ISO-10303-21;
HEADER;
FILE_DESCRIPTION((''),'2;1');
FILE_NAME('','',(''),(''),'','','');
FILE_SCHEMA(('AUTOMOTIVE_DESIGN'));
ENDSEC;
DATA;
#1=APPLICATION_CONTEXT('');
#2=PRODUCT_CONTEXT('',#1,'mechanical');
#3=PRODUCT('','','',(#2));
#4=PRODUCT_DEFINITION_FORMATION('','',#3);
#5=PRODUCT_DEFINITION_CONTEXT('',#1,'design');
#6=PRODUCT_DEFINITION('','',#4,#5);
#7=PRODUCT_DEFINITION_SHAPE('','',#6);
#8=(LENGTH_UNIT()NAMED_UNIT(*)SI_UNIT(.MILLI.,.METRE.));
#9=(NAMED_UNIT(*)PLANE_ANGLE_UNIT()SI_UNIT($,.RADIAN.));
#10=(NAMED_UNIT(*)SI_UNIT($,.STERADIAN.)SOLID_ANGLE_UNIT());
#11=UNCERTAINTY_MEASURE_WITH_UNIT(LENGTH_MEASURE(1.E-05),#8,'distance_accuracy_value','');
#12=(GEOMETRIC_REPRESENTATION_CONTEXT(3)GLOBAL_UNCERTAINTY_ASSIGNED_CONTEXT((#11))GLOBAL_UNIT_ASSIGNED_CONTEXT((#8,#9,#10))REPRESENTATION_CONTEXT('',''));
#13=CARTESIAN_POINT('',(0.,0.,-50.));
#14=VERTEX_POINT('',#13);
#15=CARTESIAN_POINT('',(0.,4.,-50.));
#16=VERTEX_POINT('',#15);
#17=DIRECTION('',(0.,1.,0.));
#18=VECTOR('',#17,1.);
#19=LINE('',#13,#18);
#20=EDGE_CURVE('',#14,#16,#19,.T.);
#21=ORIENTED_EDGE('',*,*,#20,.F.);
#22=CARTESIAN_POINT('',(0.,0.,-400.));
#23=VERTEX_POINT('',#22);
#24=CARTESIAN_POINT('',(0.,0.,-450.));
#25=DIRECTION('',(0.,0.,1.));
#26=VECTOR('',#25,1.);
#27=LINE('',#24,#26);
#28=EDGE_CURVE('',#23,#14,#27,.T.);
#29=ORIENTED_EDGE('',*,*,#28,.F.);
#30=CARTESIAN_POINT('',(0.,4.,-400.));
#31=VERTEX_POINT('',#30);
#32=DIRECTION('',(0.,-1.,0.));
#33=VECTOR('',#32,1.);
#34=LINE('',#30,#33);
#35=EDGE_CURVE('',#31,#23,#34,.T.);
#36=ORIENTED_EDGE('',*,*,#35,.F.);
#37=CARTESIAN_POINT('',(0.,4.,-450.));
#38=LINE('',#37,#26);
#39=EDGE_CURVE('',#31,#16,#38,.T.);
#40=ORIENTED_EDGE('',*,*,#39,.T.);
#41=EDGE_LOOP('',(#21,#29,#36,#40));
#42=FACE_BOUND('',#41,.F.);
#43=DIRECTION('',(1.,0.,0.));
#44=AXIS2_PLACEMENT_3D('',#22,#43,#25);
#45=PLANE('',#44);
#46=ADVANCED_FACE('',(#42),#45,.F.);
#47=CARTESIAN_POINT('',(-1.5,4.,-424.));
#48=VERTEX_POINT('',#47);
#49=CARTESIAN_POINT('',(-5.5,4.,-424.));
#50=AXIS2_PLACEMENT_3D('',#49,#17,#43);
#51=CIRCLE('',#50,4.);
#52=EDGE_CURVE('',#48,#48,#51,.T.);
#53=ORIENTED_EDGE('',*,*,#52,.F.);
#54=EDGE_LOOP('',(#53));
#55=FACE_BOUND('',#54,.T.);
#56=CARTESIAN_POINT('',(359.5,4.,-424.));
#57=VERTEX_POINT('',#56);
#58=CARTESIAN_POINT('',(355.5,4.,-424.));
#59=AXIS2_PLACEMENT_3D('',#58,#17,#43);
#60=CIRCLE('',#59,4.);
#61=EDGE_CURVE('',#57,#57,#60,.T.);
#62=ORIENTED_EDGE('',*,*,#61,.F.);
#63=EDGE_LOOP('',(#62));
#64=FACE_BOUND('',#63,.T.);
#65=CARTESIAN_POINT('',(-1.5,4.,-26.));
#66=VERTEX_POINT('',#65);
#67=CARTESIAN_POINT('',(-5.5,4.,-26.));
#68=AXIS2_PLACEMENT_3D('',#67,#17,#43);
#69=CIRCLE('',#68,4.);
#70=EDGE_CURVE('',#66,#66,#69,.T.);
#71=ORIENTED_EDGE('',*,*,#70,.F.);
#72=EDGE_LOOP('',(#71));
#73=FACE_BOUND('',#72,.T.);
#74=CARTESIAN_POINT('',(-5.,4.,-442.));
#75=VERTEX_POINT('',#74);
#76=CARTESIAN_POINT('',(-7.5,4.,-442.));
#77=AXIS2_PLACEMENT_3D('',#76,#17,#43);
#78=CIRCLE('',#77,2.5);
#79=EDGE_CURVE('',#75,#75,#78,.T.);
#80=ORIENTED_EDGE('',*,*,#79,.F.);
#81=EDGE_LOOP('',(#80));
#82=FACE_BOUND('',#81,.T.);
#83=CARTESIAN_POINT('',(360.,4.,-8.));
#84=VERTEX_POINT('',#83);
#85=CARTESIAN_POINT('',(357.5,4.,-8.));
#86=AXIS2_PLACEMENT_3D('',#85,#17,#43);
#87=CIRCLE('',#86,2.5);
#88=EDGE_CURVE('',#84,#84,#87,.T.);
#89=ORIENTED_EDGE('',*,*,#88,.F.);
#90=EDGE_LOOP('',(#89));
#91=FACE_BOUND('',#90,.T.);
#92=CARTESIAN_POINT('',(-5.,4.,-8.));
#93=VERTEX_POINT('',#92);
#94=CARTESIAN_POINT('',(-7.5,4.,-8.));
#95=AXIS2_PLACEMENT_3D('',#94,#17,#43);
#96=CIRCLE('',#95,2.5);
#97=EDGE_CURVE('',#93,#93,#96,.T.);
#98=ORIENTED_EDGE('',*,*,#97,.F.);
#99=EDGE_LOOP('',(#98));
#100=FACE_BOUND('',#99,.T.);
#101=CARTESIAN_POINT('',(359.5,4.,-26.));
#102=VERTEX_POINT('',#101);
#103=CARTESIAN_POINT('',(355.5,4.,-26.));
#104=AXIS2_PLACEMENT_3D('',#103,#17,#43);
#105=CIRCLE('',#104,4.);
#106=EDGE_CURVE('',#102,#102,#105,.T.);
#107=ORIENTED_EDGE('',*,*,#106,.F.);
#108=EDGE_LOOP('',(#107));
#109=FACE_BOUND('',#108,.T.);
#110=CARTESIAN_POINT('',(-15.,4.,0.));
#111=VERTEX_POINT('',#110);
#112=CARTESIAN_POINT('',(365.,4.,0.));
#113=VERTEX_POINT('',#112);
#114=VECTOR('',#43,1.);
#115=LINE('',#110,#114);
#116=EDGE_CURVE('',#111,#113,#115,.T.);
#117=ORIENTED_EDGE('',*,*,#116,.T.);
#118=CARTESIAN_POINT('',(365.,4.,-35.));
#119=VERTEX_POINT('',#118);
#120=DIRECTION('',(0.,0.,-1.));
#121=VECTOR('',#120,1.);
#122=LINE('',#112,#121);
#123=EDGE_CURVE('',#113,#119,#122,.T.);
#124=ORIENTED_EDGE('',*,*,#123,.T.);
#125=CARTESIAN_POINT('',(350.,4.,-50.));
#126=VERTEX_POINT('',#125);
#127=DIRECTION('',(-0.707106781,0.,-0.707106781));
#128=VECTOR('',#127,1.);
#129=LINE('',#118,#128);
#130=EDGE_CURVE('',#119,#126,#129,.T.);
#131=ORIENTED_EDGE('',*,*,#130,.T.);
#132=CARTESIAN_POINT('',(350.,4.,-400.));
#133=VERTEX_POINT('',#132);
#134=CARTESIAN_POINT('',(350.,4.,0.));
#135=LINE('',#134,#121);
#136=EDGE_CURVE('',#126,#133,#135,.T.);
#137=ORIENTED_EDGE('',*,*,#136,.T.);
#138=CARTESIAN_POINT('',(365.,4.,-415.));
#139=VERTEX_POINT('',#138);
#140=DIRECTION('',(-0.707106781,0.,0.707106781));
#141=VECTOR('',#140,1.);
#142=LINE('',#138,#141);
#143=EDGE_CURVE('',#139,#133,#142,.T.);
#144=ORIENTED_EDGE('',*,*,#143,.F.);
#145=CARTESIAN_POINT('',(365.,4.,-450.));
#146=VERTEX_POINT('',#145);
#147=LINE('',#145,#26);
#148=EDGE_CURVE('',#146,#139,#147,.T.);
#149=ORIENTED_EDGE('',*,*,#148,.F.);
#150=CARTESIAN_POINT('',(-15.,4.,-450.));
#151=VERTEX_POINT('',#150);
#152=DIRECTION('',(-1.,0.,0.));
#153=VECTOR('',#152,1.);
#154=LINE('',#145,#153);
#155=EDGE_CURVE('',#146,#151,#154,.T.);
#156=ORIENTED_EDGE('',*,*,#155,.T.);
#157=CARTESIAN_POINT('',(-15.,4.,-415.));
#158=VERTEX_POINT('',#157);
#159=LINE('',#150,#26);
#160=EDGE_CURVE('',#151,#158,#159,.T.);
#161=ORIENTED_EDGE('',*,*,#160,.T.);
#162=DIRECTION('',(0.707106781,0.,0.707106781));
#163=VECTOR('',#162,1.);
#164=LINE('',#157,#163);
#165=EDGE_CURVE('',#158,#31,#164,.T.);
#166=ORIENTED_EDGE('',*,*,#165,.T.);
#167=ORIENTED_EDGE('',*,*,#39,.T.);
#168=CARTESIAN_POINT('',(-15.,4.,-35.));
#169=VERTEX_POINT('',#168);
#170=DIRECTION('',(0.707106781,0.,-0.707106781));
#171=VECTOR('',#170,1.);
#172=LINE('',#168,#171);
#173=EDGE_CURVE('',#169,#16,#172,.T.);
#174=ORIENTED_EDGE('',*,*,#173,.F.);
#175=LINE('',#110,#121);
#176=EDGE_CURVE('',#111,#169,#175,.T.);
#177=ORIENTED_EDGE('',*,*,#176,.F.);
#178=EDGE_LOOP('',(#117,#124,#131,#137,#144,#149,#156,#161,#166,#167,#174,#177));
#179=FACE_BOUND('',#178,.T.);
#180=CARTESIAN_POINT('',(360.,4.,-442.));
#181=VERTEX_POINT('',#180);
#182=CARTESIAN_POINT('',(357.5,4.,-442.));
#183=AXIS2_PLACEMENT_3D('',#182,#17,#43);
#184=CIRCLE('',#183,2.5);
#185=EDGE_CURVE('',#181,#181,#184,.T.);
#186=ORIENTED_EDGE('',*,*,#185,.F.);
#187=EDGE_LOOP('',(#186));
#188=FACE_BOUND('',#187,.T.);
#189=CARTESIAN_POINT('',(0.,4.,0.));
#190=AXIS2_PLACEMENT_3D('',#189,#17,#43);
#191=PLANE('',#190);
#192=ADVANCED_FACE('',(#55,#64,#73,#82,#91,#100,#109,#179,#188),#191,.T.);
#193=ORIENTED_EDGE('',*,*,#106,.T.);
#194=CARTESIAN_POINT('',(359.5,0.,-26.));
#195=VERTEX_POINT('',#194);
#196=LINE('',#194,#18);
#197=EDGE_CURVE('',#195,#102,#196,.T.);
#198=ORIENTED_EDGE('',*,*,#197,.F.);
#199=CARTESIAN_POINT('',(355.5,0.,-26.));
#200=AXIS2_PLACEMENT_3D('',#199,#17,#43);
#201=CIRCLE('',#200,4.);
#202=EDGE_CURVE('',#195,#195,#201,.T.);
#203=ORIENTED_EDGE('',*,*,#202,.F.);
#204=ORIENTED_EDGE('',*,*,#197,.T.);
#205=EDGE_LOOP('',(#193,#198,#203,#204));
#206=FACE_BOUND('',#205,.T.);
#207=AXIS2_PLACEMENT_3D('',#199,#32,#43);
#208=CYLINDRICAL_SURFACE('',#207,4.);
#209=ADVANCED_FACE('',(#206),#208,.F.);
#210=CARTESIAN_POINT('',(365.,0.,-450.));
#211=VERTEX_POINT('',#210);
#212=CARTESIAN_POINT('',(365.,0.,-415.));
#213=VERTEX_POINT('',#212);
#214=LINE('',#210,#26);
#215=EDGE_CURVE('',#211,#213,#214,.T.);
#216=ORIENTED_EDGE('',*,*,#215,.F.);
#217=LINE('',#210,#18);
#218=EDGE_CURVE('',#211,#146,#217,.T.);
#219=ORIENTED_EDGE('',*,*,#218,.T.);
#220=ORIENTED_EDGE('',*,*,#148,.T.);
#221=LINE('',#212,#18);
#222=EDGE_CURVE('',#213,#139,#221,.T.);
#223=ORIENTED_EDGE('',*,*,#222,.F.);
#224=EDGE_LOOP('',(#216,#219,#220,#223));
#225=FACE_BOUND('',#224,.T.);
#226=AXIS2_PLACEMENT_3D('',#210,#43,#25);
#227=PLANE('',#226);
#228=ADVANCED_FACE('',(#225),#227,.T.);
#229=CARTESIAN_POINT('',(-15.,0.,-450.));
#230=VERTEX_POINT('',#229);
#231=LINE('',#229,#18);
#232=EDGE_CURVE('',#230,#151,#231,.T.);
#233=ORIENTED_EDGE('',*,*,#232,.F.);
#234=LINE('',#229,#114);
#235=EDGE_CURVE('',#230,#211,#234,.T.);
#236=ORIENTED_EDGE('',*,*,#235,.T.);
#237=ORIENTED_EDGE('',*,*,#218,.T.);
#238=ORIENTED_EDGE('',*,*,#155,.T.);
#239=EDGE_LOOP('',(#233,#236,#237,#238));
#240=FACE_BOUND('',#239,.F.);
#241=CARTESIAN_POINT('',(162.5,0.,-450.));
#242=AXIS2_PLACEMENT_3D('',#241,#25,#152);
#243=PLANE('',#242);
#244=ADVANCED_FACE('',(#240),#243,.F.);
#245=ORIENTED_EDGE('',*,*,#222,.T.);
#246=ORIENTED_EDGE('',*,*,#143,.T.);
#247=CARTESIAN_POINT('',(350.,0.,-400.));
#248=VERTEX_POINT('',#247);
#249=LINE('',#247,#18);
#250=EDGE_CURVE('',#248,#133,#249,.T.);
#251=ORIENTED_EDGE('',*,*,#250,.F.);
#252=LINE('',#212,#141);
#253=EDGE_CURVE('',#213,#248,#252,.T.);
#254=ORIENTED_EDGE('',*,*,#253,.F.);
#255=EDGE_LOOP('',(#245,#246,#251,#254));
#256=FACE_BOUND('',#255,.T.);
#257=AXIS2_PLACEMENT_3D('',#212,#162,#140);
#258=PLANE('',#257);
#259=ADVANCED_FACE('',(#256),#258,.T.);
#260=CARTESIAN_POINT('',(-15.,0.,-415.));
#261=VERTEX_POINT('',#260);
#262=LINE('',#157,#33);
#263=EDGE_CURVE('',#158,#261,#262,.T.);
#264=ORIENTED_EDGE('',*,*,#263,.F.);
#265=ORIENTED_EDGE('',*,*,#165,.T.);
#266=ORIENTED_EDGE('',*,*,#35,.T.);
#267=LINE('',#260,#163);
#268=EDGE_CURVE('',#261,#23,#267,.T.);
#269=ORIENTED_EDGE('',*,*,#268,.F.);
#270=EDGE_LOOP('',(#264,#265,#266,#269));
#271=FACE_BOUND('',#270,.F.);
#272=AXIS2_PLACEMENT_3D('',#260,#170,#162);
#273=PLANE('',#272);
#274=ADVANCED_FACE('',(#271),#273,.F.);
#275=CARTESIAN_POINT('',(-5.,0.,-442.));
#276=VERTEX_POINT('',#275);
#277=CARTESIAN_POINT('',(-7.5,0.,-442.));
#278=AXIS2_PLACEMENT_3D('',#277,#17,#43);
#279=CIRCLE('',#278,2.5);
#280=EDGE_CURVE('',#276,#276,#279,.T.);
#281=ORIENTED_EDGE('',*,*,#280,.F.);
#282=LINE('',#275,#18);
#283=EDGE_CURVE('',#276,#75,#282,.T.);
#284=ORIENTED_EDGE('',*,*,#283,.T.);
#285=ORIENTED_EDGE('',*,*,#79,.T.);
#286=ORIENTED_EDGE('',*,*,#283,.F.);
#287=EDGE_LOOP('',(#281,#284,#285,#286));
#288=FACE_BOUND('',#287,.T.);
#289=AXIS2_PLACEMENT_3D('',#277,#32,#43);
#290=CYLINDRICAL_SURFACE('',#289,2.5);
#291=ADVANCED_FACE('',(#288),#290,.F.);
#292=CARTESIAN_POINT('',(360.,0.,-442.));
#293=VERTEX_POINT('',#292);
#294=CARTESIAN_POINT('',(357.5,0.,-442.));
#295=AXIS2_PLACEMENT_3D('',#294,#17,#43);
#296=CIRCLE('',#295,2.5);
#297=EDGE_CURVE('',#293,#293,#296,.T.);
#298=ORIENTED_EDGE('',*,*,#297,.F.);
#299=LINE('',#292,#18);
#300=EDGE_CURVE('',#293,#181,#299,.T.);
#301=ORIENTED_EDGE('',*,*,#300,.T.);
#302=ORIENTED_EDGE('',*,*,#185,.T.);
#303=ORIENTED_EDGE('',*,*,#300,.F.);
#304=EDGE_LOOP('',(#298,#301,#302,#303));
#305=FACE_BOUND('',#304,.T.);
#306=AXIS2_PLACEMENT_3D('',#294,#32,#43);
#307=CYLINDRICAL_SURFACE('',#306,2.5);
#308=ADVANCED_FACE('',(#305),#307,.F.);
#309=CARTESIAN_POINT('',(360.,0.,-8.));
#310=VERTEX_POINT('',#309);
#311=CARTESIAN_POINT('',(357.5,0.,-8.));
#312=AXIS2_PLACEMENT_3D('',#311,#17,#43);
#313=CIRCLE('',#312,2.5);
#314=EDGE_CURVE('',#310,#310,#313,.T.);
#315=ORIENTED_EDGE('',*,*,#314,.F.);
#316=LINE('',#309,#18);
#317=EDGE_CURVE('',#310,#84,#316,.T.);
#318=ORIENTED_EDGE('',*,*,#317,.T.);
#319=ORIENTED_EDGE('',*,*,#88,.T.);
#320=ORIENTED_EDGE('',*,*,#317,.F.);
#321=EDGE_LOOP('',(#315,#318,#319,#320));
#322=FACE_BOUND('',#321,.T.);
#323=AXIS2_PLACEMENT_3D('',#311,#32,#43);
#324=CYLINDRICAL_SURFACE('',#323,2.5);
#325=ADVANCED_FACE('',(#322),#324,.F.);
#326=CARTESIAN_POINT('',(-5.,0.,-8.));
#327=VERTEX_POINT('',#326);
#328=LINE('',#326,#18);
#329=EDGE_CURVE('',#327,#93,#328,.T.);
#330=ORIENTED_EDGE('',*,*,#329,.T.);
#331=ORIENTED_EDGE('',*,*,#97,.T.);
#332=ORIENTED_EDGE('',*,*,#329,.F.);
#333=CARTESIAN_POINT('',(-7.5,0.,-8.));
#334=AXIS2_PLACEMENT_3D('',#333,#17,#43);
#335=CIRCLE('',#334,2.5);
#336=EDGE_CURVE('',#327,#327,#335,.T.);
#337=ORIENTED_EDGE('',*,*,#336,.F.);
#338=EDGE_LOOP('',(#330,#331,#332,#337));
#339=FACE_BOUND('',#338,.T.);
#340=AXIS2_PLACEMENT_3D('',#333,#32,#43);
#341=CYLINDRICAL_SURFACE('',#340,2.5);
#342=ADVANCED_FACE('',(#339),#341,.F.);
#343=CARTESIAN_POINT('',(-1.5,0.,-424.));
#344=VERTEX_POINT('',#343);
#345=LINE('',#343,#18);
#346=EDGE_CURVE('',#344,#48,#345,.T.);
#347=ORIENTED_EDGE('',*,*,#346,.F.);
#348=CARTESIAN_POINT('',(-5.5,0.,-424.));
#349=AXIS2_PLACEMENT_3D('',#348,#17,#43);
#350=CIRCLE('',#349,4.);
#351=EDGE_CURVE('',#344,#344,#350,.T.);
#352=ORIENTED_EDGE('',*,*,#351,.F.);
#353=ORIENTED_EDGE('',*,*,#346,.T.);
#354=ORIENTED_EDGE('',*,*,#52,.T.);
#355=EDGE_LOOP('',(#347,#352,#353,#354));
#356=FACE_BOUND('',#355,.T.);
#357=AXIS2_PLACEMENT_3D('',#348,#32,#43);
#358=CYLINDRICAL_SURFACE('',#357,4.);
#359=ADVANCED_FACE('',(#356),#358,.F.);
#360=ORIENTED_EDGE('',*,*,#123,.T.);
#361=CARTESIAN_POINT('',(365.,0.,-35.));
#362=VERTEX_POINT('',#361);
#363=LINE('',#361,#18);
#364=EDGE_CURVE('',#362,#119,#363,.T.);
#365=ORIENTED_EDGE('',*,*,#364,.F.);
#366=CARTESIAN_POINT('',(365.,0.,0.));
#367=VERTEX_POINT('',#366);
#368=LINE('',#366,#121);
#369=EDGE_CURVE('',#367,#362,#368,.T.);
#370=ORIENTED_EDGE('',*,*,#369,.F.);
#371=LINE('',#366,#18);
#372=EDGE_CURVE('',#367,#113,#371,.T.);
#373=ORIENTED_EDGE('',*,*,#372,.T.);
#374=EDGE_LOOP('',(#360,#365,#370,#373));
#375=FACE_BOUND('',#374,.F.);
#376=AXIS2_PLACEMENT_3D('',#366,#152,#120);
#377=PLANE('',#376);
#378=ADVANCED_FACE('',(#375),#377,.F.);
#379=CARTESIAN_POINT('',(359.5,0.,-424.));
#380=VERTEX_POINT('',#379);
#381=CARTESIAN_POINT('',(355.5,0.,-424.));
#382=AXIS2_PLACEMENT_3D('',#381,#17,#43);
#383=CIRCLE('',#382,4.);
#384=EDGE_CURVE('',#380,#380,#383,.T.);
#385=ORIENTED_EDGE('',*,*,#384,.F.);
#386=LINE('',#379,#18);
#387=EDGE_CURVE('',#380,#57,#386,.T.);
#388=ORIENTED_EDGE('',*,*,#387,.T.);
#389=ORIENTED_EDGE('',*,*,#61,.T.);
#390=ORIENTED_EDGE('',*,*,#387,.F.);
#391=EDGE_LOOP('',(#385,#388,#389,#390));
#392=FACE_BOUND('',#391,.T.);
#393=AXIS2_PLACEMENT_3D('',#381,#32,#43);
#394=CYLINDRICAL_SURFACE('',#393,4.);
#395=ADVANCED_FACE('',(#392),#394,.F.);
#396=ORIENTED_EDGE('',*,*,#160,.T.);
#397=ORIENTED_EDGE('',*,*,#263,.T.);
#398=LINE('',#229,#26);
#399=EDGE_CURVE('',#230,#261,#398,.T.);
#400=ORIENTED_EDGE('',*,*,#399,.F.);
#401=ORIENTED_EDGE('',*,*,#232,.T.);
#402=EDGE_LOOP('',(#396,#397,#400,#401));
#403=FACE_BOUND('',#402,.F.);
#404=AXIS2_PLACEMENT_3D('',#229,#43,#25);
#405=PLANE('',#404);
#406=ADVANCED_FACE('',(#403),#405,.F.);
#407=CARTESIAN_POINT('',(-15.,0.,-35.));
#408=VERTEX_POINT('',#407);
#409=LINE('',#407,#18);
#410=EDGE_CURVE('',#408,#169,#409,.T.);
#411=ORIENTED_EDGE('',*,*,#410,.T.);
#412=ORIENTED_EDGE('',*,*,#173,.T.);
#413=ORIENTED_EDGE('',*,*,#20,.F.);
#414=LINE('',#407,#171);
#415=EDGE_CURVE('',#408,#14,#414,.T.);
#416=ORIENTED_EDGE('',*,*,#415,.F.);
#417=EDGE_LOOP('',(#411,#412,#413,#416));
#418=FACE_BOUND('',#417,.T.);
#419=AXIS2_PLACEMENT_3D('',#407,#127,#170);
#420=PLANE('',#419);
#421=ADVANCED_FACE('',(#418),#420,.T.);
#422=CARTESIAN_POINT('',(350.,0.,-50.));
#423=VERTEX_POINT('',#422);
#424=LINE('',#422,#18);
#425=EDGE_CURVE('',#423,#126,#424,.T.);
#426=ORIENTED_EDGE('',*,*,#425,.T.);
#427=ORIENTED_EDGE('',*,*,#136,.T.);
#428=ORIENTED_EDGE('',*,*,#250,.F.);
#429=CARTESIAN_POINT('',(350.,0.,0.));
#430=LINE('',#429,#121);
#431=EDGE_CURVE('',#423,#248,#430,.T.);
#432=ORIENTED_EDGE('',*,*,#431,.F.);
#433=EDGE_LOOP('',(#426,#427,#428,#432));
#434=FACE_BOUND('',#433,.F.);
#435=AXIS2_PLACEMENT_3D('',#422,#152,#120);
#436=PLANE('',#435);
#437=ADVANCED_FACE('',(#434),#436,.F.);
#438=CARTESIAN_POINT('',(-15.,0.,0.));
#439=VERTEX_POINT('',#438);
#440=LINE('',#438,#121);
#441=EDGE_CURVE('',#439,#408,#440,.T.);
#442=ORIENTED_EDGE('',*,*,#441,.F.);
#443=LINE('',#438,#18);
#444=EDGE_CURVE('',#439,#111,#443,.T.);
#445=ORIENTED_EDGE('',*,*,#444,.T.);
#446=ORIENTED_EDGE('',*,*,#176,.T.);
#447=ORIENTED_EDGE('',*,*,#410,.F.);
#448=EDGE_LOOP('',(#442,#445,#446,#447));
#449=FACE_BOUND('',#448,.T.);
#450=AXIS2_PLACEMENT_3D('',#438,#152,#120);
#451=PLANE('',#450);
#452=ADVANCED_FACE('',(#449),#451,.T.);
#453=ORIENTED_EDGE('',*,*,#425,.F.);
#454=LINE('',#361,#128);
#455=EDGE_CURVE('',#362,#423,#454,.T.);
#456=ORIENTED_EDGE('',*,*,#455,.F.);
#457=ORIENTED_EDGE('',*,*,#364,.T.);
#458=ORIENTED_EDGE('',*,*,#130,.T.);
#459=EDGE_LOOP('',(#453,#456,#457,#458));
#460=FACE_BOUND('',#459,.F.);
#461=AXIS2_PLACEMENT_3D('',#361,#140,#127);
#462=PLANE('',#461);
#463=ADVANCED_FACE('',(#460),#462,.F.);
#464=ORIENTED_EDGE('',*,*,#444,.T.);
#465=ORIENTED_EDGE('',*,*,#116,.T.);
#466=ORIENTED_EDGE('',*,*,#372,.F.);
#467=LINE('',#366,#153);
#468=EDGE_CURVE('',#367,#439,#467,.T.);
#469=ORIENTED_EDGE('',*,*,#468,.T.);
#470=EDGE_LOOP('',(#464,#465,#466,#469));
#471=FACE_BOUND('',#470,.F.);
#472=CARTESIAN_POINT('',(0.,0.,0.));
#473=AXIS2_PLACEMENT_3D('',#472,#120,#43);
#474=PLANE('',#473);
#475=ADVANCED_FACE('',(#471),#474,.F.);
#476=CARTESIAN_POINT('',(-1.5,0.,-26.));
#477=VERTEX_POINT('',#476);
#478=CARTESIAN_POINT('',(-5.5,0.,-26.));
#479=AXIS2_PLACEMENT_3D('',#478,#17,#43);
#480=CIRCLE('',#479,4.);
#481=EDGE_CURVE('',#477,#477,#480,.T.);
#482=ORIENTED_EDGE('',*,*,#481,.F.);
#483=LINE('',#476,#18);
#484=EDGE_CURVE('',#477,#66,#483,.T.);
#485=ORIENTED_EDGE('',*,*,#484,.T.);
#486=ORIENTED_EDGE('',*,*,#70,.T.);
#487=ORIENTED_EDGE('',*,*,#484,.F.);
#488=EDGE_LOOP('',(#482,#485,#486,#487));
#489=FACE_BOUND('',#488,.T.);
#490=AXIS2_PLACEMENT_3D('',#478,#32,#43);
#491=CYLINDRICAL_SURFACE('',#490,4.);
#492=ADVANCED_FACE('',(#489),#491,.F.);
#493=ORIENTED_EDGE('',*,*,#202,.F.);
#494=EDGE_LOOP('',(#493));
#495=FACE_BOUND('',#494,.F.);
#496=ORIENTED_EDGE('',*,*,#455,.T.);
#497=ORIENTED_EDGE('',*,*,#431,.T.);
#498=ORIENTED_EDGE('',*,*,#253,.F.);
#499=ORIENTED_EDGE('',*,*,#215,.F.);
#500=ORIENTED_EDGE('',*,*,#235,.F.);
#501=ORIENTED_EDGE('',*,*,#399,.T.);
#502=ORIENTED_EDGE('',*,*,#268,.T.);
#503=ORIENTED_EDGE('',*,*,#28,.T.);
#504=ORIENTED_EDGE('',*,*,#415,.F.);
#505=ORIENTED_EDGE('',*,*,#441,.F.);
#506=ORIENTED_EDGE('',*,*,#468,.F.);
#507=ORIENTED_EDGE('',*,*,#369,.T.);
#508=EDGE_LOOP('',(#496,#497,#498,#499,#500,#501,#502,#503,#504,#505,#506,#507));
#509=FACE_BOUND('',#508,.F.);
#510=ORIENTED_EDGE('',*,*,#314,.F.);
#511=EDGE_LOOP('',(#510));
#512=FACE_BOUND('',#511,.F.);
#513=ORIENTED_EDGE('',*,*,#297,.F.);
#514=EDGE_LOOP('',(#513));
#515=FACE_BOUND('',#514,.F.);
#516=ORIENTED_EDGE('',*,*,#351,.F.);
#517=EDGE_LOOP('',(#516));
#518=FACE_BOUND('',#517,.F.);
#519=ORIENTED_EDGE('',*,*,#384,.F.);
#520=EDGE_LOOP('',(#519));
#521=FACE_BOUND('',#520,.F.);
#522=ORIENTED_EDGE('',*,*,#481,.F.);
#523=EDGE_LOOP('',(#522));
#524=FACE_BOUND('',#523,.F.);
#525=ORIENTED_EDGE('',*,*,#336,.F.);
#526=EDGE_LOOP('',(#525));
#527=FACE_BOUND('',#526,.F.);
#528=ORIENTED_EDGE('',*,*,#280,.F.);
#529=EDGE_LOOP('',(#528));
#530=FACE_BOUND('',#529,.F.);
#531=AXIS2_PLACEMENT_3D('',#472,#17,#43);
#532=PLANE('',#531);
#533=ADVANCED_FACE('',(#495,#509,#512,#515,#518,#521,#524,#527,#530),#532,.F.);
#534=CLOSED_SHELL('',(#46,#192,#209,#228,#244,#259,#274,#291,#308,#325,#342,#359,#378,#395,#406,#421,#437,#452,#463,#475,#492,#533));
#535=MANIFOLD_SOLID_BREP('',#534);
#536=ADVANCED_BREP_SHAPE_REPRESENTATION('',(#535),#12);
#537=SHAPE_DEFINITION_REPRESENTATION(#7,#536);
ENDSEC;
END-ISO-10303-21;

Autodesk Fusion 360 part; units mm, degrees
sketch "Sketch1" plane through (0, 0, 0) normal (0, 1, 0) x (1, 0, 0)
  line L0 (0, 0) -> (350, 0)
  line L1 (350, 0) -> (350, -450)
  line L2 (350, -450) -> (0, -450)
  line L3 (0, -450) -> (0, 0)
  dimension "d1" = 350
  dimension "d2" = 450
extrude "Extrude1" add sketch "Sketch1" along normal blind 4

Autodesk Fusion 360 part; units mm, degrees
sketch "Sketch1" plane through (0, 0, 0) normal (0, 1, 0) x (1, 0, 0)
  line L0 (0, 0) -> (350, 0)
  line L1 (350, 0) -> (350, 450)
  line L2 (350, 450) -> (0, 450)
  line L3 (0, 450) -> (0, 0)
  line L4 (0, 0) -> (-15, 0)
  line L5 (-15, 0) -> (-15, 35)
  line L6 (-15, 35) -> (0, 35)
  line L7 (0, 35) -> (0, 0)
  line L8 (350, 0) -> (365, 0)
  line L9 (365, 0) -> (365, 35)
  line L10 (365, 35) -> (350, 35)
  line L11 (350, 35) -> (350, 0)
  line L12 (162.5, 450) -> (187.5, 450)
  line L13 (350, 450) -> (365, 450)
  line L14 (365, 450) -> (365, 415)
  line L15 (365, 415) -> (350, 415)
  line L16 (350, 415) -> (350, 450)
  line L17 (0, 450) -> (-15, 450)
  line L18 (-15, 450) -> (-15, 415)
  line L19 (-15, 415) -> (0, 415)
  line L20 (0, 415) -> (0, 450)
  line L21 (-15, 415) -> (0, 400)
  line L22 (365, 415) -> (350, 400)
  line L23 (365, 35) -> (350, 50)
  line L24 (-15, 35) -> (0, 50)
  circle A0 centre (-7.5, 442) radius 2.5
  circle A1 centre (-5.5, 424) radius 4
  line L25 (175, 0) -> (175, 450) construction
  line L26 (350, 225) -> (0, 225) construction
  circle A2 centre (-5.5, 26) radius 4
  circle A3 centre (-7.5, 8) radius 2.5
  circle A4 centre (355.5, 26) radius 4
  circle A5 centre (357.5, 8) radius 2.5
  circle A6 centre (357.5, 442) radius 2.5
  circle A7 centre (355.5, 424) radius 4
  line L27 (-7.5, 442) -> (-7.5, 450) construction
  dimension "d1" = 450
  dimension "d2" = 350
  dimension "d3" = 15
  dimension "d4" = 35
  dimension "d5" = 15
  dimension "d6" = 35
  dimension "d11" = 35
  dimension "d12" = 15
  dimension "d13" = 15
  dimension "d14" = 15
  dimension "d15" = 15
  dimension "d16" = 5
  dimension "d17" = 8
  dimension "d18" = 8
  dimension "d22" = 0
  dimension "d23" = 0
  dimension "d24" = 9
  dimension "d25" = 2
extrude "Extrude1" add sketch "Sketch1" along normal blind 3
equation "d3 = d5"
equation "d4 = d6"
equation "d11 = d6"
equation "d12 = d5"
equation "d13 = d5"
equation "d14 = d5"
equation "d15 = d14"
